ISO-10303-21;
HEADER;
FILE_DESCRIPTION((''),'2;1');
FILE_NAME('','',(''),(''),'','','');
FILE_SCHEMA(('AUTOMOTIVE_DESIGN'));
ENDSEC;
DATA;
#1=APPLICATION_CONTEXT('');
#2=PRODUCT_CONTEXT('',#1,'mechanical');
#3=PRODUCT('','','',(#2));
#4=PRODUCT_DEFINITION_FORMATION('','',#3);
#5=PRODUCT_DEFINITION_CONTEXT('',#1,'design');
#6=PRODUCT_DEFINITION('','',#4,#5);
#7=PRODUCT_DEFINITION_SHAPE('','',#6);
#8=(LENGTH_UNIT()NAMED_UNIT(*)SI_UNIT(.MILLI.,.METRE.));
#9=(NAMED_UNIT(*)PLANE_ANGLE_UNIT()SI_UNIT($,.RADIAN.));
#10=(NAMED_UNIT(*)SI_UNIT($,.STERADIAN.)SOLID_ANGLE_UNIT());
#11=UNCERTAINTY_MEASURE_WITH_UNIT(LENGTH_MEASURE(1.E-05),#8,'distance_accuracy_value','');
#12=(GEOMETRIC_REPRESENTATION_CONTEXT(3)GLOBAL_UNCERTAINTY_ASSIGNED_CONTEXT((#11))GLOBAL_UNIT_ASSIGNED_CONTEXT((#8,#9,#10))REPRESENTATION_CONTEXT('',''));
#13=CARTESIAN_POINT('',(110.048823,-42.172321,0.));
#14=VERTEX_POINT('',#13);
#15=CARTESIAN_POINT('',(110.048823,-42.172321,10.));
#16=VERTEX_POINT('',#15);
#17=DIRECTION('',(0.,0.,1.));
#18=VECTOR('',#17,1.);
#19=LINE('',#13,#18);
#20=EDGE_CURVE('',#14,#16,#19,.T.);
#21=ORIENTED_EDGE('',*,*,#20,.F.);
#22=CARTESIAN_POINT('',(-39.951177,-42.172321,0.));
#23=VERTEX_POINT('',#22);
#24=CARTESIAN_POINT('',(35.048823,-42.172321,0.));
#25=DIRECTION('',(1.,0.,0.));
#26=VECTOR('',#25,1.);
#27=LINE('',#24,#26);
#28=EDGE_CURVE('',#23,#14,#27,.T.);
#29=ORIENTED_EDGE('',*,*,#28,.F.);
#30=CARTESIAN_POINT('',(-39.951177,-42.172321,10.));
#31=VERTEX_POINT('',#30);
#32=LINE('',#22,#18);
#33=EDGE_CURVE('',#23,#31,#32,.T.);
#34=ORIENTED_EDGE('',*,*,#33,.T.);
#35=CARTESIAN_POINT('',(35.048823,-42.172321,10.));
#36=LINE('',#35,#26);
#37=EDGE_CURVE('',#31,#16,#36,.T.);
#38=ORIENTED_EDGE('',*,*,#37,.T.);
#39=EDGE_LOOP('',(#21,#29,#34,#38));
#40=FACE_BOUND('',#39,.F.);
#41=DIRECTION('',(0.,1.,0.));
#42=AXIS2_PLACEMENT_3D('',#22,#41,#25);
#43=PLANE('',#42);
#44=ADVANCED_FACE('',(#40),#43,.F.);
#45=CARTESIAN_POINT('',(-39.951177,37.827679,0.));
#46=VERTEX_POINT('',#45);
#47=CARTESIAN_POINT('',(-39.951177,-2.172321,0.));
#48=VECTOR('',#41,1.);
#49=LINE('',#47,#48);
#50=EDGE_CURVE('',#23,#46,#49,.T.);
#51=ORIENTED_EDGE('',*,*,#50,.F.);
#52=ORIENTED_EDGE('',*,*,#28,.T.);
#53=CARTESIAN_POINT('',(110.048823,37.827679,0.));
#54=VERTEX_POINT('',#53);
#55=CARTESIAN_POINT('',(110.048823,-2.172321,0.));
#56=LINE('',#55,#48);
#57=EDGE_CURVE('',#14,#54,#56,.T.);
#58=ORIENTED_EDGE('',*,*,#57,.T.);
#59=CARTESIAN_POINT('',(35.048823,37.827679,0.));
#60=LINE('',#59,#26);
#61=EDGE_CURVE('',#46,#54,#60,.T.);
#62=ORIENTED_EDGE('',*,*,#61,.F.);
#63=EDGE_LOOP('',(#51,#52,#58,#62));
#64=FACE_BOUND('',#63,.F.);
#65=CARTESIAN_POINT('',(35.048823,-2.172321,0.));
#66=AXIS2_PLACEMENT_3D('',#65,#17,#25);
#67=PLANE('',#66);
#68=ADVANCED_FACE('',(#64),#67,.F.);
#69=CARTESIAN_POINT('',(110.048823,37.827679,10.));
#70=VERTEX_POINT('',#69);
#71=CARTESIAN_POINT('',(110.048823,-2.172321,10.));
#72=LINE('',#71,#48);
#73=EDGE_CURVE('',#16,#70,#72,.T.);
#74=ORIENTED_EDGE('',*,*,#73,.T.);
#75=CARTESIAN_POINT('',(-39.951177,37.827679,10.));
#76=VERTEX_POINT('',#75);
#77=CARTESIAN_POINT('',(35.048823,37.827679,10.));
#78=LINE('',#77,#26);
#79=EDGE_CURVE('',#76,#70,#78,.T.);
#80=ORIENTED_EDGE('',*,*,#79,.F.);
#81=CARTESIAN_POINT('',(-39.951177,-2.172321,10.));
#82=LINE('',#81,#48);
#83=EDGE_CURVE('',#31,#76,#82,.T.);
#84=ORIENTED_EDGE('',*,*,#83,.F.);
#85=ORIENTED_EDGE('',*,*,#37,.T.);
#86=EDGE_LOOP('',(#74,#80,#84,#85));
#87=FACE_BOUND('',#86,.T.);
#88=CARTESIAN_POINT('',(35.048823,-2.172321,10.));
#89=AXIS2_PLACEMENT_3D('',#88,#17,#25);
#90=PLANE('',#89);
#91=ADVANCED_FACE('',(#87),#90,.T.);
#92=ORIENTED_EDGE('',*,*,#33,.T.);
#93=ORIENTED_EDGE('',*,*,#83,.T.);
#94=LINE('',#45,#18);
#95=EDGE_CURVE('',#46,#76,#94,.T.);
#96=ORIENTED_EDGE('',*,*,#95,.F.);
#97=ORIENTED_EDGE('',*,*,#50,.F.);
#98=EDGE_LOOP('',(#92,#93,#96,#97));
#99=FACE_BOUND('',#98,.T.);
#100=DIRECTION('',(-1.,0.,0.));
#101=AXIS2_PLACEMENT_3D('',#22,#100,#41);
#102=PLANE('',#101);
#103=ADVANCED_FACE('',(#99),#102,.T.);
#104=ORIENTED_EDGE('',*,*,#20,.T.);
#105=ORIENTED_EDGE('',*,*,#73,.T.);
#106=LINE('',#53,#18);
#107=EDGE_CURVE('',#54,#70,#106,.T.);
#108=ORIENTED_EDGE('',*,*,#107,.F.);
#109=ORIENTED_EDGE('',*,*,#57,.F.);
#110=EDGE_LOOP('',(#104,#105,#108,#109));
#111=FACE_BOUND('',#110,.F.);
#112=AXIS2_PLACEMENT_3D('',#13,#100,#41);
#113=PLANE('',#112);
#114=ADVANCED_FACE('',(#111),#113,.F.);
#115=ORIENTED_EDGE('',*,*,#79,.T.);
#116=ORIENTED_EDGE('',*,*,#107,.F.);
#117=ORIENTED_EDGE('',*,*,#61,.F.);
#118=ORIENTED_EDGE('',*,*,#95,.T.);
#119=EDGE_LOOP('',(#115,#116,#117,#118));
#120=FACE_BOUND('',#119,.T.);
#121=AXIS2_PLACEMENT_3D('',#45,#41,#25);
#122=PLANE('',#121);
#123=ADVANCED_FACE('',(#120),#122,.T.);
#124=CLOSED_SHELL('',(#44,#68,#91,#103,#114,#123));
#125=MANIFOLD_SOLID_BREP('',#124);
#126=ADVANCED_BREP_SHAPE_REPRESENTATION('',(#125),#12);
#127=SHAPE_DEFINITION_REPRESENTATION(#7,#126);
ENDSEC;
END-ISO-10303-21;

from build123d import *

# Parameters (mm, degrees)
F2_W     = 150
F2_H     = 80
F3_DEPTH = 10


with BuildPart() as f3:
    # F2 (on face) → F3 (new body)
    with BuildSketch(Plane.XY):
        with Locations((35.048823, -2.172321)):
            Rectangle(F2_W, F2_H)
    extrude(amount=F3_DEPTH)


solid = f3.part
